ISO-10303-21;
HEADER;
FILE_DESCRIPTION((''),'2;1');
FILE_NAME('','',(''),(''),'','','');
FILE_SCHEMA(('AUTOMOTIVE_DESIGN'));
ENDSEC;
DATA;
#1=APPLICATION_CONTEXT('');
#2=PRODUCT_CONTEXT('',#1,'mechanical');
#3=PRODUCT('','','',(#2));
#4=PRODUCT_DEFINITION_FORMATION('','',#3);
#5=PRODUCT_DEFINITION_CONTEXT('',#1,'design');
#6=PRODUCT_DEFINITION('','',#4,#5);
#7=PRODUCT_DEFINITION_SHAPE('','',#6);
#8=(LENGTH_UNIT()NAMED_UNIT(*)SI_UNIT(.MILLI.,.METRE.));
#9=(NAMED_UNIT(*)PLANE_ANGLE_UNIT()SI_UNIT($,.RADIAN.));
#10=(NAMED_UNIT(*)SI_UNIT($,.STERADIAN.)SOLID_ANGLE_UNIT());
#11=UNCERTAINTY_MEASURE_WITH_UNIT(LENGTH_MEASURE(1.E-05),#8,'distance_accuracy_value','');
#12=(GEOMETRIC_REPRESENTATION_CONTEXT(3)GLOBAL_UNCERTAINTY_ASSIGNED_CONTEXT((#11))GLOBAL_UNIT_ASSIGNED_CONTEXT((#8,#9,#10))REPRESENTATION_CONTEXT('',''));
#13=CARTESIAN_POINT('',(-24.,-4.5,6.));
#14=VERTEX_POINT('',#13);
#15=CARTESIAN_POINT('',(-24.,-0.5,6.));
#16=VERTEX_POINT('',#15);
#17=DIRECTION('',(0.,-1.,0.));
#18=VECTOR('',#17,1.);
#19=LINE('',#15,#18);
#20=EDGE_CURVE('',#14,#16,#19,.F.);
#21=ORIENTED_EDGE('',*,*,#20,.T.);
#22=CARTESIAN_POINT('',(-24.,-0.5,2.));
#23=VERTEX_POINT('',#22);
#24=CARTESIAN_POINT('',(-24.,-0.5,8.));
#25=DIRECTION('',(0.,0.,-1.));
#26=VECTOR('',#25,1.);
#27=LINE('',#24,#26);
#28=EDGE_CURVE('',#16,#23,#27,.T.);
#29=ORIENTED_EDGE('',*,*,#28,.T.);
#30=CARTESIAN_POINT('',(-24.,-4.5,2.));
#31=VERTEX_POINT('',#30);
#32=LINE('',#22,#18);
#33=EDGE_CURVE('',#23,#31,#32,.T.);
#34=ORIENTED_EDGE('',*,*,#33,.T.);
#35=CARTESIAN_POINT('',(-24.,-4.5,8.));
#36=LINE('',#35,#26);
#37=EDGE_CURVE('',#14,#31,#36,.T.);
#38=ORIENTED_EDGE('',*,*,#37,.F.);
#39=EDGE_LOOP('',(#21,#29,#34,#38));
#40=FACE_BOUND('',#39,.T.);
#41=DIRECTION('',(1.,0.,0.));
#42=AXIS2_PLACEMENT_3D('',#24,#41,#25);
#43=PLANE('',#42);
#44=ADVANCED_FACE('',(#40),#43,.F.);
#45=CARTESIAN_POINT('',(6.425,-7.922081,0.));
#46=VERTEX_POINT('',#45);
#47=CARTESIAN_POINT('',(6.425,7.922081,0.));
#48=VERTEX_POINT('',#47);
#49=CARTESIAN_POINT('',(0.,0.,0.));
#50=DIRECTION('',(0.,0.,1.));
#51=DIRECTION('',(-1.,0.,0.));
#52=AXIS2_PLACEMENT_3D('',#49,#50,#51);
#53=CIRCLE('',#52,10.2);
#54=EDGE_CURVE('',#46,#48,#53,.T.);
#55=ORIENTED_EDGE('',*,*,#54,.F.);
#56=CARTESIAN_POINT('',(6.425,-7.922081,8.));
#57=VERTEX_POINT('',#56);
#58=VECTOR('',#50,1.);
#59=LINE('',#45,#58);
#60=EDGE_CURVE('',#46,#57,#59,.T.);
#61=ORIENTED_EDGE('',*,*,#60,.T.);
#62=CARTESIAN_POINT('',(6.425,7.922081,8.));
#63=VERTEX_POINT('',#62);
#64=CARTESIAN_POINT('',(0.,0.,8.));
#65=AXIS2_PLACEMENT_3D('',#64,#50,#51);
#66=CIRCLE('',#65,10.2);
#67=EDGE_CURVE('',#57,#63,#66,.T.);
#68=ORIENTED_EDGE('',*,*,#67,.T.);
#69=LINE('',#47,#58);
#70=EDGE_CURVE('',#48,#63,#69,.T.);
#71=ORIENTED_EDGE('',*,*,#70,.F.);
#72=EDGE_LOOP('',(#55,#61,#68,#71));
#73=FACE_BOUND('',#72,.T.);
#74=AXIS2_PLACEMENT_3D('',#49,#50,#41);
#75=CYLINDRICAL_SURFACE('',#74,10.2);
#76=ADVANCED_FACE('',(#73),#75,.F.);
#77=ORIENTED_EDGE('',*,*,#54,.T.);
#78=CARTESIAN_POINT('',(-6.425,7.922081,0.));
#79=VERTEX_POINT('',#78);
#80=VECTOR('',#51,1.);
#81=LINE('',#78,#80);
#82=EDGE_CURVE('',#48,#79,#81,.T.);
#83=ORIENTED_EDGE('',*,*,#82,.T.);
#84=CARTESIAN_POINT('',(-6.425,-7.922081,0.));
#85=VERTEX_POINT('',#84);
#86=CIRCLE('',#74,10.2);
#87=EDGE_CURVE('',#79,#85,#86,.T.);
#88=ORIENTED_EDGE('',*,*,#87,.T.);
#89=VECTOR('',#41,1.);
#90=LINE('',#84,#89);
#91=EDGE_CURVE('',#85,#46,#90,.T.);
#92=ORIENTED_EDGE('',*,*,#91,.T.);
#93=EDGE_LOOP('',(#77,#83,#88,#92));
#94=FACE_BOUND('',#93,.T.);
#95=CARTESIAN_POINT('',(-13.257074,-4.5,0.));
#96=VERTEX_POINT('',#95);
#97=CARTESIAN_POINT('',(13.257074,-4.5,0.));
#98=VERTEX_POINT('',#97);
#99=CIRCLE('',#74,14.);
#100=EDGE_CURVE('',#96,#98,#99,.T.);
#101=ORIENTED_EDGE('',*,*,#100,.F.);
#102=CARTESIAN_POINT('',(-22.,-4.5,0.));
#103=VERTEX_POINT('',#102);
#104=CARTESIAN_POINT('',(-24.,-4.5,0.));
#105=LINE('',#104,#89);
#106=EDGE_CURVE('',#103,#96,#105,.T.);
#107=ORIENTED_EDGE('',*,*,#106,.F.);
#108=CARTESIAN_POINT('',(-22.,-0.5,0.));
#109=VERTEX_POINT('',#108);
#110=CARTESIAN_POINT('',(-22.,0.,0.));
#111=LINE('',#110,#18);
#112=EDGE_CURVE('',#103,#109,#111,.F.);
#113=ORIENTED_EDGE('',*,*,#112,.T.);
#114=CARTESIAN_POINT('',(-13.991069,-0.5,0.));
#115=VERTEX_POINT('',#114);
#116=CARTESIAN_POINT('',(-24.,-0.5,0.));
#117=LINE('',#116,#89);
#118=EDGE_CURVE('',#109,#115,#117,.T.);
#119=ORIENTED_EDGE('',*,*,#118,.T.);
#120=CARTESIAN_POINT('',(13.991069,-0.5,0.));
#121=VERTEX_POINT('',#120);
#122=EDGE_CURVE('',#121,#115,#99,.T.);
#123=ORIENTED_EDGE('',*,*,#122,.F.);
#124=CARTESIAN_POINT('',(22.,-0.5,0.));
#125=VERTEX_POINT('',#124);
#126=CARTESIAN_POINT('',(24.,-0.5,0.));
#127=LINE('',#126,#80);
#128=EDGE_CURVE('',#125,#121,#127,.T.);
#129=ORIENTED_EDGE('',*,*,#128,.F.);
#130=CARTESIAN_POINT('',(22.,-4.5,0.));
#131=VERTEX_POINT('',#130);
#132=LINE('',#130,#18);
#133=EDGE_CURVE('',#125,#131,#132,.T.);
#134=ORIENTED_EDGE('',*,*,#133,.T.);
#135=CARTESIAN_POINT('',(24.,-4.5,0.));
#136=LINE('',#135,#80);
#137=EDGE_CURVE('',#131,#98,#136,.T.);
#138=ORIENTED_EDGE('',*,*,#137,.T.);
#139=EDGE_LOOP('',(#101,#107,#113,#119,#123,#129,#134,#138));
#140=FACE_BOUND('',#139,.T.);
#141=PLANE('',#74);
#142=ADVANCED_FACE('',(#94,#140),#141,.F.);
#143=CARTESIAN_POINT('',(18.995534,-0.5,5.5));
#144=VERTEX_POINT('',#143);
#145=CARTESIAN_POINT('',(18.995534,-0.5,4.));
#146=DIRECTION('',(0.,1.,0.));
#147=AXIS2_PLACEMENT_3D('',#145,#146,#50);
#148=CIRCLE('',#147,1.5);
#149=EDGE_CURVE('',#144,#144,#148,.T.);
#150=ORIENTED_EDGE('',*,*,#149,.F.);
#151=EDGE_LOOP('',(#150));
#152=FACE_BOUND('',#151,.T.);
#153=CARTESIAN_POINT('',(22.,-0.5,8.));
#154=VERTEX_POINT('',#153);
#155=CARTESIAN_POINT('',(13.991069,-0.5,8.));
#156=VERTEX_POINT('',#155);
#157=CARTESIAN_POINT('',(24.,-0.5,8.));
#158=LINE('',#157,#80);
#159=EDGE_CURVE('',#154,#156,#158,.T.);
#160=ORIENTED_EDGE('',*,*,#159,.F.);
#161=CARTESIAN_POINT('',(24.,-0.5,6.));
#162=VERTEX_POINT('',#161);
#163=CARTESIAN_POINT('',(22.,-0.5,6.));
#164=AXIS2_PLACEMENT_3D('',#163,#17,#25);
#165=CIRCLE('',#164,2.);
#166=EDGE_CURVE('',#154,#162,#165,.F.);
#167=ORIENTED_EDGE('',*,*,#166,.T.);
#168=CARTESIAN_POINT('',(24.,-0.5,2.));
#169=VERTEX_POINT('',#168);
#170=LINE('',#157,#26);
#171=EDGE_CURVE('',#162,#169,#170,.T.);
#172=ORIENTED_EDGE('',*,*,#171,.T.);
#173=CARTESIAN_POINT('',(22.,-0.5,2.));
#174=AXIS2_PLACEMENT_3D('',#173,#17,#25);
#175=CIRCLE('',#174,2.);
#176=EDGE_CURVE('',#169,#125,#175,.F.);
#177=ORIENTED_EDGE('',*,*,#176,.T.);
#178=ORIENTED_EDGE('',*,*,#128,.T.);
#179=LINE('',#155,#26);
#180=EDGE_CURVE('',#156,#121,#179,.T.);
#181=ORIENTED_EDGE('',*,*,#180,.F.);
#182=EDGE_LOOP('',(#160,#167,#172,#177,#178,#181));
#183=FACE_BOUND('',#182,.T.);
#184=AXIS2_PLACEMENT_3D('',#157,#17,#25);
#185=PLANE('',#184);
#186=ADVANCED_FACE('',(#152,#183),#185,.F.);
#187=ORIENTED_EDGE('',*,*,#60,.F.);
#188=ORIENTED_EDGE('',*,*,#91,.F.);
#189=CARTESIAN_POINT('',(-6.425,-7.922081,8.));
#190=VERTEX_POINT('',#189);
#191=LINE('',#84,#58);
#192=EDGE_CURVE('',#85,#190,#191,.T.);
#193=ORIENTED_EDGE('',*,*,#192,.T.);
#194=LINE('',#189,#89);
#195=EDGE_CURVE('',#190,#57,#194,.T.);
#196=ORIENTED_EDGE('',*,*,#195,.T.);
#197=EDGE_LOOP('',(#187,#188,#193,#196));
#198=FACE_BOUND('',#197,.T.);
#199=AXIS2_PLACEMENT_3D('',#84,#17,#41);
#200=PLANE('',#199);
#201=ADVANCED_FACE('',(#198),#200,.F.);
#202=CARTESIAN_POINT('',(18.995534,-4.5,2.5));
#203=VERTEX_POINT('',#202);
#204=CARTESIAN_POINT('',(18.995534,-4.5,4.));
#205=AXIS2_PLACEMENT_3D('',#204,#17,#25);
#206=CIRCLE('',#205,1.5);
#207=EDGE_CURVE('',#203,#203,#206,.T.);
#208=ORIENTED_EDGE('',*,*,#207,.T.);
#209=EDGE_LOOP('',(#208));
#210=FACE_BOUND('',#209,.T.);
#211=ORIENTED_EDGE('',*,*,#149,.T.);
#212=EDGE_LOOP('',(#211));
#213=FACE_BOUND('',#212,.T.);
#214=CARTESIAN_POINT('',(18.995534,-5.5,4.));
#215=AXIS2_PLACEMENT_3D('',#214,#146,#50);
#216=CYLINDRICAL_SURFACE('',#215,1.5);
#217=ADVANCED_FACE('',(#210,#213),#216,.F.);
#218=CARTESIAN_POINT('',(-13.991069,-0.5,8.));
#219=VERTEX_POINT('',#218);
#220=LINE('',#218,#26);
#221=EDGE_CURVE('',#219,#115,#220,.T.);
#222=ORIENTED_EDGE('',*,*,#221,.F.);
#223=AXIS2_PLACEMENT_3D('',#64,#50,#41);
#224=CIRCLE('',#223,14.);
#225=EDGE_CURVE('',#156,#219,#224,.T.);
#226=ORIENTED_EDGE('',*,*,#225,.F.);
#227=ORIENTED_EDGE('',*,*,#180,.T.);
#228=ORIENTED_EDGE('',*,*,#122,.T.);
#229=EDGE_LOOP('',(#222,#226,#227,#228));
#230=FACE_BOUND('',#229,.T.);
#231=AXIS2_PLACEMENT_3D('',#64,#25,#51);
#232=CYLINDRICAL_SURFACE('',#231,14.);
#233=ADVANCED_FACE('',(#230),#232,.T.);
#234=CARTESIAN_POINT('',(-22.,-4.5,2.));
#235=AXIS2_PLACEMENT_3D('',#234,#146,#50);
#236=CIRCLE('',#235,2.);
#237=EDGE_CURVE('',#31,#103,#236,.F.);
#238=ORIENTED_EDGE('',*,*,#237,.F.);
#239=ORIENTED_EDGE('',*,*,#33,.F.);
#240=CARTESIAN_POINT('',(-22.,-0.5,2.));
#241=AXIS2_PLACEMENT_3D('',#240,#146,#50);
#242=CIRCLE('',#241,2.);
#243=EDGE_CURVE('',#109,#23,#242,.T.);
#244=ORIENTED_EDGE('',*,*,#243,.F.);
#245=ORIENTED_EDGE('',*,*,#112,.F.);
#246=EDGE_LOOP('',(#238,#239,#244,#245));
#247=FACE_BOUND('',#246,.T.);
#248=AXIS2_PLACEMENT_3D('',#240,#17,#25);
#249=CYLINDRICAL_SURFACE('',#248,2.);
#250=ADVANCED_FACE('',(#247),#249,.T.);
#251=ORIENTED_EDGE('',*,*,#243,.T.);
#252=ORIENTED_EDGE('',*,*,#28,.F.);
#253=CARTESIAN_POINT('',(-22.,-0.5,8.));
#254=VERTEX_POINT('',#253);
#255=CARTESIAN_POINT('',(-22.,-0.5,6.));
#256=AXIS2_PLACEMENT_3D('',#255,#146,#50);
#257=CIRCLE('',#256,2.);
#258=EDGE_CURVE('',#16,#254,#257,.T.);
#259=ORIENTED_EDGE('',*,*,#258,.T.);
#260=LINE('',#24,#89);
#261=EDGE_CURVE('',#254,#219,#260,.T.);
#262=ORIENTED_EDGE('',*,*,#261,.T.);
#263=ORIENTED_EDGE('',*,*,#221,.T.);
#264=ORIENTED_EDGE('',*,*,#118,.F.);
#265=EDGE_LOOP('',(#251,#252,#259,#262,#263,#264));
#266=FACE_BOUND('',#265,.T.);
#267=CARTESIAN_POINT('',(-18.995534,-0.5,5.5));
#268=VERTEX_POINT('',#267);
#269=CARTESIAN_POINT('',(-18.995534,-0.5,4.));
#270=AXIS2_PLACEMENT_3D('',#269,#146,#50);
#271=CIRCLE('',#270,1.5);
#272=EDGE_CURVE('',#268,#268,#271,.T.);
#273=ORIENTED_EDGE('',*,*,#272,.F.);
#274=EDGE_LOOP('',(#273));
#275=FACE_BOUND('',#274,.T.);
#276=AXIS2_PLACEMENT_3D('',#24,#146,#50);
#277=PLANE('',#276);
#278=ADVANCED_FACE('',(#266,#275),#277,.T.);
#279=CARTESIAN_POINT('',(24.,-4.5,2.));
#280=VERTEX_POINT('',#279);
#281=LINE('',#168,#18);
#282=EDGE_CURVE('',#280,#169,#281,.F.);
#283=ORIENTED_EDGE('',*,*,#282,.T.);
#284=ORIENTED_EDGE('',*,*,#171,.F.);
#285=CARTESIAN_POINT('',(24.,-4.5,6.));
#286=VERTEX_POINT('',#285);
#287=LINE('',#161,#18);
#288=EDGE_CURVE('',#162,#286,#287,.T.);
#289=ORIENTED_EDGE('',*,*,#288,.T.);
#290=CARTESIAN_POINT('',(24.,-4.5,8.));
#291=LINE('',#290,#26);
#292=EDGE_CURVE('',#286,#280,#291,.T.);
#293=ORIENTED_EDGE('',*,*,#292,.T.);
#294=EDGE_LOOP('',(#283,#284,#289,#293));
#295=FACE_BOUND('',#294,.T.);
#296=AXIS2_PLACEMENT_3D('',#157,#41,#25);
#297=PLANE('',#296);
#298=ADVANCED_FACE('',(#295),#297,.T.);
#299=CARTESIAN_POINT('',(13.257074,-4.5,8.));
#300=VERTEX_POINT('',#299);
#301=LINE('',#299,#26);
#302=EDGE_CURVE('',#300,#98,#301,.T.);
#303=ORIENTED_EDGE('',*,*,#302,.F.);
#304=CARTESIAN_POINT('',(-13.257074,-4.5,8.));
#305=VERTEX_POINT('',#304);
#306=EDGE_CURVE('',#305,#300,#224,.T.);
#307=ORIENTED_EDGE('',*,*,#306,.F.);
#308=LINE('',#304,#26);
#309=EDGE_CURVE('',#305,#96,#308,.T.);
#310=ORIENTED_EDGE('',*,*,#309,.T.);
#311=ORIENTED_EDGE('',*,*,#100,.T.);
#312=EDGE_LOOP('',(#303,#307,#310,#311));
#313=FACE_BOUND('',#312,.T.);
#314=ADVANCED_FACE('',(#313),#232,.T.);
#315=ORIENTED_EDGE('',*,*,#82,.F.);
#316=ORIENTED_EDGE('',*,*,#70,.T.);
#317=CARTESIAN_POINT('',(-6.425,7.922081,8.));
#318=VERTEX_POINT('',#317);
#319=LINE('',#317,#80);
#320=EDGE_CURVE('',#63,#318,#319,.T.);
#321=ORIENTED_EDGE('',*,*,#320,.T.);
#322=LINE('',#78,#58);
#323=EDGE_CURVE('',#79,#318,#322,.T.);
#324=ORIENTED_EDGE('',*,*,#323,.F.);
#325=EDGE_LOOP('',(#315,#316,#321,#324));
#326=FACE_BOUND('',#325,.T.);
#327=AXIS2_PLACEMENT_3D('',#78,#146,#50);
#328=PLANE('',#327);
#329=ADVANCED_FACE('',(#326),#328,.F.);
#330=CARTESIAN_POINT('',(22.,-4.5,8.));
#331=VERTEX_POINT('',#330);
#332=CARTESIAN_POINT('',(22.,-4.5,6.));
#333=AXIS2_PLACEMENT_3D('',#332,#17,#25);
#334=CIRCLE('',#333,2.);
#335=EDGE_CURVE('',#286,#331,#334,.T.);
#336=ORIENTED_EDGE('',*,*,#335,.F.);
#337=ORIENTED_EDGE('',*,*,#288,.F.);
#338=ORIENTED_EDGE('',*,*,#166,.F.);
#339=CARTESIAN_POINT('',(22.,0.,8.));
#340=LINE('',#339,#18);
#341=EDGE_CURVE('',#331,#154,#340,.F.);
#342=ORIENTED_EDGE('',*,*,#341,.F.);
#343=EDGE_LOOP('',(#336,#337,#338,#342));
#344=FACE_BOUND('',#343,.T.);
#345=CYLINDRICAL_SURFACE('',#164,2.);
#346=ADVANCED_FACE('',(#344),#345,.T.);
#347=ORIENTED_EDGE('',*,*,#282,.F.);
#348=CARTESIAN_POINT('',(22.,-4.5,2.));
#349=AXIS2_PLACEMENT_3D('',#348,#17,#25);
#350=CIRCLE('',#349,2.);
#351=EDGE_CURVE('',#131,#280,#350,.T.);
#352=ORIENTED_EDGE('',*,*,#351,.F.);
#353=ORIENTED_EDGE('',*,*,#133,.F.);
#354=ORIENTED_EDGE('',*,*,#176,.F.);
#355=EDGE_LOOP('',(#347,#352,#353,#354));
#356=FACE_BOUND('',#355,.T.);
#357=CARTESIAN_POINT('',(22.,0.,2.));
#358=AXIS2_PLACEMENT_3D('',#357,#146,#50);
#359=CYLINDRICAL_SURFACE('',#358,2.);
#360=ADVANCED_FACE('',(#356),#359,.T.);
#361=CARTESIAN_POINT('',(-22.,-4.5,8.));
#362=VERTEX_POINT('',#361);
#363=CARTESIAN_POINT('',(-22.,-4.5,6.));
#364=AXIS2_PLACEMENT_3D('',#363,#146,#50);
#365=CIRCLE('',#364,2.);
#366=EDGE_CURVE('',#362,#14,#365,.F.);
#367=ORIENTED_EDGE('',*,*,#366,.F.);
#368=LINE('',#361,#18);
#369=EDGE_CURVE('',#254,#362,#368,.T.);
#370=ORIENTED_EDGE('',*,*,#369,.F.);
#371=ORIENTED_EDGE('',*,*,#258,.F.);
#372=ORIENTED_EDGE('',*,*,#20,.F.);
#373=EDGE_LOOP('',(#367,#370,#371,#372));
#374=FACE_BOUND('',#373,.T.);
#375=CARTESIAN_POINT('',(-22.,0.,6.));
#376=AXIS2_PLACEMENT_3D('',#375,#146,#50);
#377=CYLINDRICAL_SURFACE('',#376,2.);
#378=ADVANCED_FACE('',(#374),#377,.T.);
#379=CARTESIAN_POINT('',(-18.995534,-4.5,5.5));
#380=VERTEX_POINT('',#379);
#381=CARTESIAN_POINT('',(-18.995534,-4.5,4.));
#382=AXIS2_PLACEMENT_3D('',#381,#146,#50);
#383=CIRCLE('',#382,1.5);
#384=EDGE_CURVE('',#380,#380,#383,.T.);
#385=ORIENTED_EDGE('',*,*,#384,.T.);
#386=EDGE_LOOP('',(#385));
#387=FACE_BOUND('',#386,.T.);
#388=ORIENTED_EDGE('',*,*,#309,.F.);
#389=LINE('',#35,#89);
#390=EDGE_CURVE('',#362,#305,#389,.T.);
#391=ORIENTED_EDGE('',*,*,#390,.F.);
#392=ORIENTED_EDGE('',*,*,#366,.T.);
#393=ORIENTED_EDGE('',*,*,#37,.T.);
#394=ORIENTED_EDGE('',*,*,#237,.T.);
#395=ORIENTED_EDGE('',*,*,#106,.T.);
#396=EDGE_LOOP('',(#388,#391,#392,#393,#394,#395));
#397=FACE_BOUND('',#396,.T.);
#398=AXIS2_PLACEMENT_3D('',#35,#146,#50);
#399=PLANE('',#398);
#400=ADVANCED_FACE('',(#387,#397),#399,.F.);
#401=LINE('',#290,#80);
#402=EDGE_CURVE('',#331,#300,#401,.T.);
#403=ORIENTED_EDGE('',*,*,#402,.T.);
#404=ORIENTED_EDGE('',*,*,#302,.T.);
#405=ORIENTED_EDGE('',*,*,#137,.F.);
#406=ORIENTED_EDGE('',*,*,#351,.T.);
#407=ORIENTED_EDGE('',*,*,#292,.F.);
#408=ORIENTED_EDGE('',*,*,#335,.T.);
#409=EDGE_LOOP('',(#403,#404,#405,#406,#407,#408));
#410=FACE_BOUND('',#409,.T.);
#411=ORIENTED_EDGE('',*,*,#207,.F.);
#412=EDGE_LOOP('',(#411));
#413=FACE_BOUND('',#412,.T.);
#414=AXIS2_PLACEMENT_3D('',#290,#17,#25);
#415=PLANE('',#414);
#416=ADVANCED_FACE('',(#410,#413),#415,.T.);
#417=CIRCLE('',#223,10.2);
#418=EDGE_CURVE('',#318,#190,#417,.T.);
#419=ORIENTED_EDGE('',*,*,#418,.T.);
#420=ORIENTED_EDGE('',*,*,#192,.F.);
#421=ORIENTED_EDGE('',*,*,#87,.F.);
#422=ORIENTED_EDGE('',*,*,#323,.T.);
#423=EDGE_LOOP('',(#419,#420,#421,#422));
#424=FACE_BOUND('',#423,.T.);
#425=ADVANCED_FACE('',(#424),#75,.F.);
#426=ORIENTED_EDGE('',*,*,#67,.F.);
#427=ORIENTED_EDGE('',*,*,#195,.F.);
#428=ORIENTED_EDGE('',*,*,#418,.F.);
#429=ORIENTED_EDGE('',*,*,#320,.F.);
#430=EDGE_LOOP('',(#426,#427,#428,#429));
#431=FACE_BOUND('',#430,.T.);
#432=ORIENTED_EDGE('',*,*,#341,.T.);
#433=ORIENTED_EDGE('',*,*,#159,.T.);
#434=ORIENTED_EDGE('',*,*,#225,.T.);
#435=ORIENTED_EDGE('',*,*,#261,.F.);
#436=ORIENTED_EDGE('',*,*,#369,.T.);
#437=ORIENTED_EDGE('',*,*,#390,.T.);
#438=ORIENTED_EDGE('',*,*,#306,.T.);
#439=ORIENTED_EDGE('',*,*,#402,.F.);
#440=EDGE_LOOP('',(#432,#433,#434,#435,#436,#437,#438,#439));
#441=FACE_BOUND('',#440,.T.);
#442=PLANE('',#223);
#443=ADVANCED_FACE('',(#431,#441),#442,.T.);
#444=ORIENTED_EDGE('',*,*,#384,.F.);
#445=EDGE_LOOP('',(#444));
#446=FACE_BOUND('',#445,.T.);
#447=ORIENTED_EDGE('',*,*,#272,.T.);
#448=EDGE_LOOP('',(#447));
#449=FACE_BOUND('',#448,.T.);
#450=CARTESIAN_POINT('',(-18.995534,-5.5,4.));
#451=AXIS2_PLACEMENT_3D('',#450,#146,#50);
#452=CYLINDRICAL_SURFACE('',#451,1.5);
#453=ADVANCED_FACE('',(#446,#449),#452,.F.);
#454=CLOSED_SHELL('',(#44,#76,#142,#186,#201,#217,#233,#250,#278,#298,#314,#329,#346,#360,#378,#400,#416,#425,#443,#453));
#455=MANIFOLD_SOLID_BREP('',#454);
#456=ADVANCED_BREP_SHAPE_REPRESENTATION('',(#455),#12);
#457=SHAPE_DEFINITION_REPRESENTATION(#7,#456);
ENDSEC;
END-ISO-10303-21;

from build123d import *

# Parameters (mm, degrees)
SALIENTE_EXTRUIR1_DEPTH = 8
CORTAR_EXTRUIR1_DEPTH   = 29.91366459
CROQUIS3_R              = 1.5
CORTAR_EXTRUIR2_DEPTH   = 5
REDONDEO1_R             = 2


with BuildPart() as part:
    # Croquis1 → Saliente-Extruir1 (new body)
    with BuildSketch(Plane.XY):
        with BuildLine():
            Line((-24, -0.5), (-13.99106858, -0.5))
            ThreePointArc((-13.99106858, -0.5), (0, 14), (13.99106858, -0.5))
            Line((13.99106858, -0.5), (24, -0.5))
            Line((24, -0.5), (24, -4.5))
            Line((24, -4.5), (13.257073584, -4.5))
            ThreePointArc((13.257073584, -4.5), (0, -14), (-13.257073584, -4.5))
            Line((-13.257073584, -4.5), (-24, -4.5))
            Line((-24, -4.5), (-24, -0.5))
        make_face()
    extrude(amount=SALIENTE_EXTRUIR1_DEPTH)

    # Croquis2 → Cortar-Extruir1 (cut, through all)
    with BuildSketch(Plane.XY.offset(8)):
        with BuildLine():
            Line((-6.425, 7.922081482), (6.425, 7.922081482))
            ThreePointArc((6.425, 7.922081482), (10.2, 0), (6.425, -7.922081482))
            Line((6.425, -7.922081482), (-6.425, -7.922081482))
            ThreePointArc((-6.425, -7.922081482), (-10.2, 0), (-6.425, 7.922081482))
        make_face()
    extrude(amount=-CORTAR_EXTRUIR1_DEPTH, mode=Mode.SUBTRACT)

    # Croquis3 → Cortar-Extruir2 (cut)
    with BuildSketch(Plane(origin=(0, -0.5, 0), x_dir=(1, 0, 0), z_dir=(0, 1, 0))):
        with Locations(Location((18.99553429, -4, 0), (0, 0, 270))):
            Circle(CROQUIS3_R)
        with Locations(Location((-18.99553429, -4, 0), (0, 0, 270))):
            Circle(CROQUIS3_R)
    extrude(amount=-CORTAR_EXTRUIR2_DEPTH, mode=Mode.SUBTRACT)

    # Redondeo1
    redondeo1_edges = [part.edges().sort_by_distance(p)[0] for p in [
        (-24, -2.5, 8),
        (24, -2.5, 8),
        (24, -2.5, 0),
        (-24, -2.5, 0),
    ]]
    fillet(redondeo1_edges, radius=REDONDEO1_R)


solid = part.part
